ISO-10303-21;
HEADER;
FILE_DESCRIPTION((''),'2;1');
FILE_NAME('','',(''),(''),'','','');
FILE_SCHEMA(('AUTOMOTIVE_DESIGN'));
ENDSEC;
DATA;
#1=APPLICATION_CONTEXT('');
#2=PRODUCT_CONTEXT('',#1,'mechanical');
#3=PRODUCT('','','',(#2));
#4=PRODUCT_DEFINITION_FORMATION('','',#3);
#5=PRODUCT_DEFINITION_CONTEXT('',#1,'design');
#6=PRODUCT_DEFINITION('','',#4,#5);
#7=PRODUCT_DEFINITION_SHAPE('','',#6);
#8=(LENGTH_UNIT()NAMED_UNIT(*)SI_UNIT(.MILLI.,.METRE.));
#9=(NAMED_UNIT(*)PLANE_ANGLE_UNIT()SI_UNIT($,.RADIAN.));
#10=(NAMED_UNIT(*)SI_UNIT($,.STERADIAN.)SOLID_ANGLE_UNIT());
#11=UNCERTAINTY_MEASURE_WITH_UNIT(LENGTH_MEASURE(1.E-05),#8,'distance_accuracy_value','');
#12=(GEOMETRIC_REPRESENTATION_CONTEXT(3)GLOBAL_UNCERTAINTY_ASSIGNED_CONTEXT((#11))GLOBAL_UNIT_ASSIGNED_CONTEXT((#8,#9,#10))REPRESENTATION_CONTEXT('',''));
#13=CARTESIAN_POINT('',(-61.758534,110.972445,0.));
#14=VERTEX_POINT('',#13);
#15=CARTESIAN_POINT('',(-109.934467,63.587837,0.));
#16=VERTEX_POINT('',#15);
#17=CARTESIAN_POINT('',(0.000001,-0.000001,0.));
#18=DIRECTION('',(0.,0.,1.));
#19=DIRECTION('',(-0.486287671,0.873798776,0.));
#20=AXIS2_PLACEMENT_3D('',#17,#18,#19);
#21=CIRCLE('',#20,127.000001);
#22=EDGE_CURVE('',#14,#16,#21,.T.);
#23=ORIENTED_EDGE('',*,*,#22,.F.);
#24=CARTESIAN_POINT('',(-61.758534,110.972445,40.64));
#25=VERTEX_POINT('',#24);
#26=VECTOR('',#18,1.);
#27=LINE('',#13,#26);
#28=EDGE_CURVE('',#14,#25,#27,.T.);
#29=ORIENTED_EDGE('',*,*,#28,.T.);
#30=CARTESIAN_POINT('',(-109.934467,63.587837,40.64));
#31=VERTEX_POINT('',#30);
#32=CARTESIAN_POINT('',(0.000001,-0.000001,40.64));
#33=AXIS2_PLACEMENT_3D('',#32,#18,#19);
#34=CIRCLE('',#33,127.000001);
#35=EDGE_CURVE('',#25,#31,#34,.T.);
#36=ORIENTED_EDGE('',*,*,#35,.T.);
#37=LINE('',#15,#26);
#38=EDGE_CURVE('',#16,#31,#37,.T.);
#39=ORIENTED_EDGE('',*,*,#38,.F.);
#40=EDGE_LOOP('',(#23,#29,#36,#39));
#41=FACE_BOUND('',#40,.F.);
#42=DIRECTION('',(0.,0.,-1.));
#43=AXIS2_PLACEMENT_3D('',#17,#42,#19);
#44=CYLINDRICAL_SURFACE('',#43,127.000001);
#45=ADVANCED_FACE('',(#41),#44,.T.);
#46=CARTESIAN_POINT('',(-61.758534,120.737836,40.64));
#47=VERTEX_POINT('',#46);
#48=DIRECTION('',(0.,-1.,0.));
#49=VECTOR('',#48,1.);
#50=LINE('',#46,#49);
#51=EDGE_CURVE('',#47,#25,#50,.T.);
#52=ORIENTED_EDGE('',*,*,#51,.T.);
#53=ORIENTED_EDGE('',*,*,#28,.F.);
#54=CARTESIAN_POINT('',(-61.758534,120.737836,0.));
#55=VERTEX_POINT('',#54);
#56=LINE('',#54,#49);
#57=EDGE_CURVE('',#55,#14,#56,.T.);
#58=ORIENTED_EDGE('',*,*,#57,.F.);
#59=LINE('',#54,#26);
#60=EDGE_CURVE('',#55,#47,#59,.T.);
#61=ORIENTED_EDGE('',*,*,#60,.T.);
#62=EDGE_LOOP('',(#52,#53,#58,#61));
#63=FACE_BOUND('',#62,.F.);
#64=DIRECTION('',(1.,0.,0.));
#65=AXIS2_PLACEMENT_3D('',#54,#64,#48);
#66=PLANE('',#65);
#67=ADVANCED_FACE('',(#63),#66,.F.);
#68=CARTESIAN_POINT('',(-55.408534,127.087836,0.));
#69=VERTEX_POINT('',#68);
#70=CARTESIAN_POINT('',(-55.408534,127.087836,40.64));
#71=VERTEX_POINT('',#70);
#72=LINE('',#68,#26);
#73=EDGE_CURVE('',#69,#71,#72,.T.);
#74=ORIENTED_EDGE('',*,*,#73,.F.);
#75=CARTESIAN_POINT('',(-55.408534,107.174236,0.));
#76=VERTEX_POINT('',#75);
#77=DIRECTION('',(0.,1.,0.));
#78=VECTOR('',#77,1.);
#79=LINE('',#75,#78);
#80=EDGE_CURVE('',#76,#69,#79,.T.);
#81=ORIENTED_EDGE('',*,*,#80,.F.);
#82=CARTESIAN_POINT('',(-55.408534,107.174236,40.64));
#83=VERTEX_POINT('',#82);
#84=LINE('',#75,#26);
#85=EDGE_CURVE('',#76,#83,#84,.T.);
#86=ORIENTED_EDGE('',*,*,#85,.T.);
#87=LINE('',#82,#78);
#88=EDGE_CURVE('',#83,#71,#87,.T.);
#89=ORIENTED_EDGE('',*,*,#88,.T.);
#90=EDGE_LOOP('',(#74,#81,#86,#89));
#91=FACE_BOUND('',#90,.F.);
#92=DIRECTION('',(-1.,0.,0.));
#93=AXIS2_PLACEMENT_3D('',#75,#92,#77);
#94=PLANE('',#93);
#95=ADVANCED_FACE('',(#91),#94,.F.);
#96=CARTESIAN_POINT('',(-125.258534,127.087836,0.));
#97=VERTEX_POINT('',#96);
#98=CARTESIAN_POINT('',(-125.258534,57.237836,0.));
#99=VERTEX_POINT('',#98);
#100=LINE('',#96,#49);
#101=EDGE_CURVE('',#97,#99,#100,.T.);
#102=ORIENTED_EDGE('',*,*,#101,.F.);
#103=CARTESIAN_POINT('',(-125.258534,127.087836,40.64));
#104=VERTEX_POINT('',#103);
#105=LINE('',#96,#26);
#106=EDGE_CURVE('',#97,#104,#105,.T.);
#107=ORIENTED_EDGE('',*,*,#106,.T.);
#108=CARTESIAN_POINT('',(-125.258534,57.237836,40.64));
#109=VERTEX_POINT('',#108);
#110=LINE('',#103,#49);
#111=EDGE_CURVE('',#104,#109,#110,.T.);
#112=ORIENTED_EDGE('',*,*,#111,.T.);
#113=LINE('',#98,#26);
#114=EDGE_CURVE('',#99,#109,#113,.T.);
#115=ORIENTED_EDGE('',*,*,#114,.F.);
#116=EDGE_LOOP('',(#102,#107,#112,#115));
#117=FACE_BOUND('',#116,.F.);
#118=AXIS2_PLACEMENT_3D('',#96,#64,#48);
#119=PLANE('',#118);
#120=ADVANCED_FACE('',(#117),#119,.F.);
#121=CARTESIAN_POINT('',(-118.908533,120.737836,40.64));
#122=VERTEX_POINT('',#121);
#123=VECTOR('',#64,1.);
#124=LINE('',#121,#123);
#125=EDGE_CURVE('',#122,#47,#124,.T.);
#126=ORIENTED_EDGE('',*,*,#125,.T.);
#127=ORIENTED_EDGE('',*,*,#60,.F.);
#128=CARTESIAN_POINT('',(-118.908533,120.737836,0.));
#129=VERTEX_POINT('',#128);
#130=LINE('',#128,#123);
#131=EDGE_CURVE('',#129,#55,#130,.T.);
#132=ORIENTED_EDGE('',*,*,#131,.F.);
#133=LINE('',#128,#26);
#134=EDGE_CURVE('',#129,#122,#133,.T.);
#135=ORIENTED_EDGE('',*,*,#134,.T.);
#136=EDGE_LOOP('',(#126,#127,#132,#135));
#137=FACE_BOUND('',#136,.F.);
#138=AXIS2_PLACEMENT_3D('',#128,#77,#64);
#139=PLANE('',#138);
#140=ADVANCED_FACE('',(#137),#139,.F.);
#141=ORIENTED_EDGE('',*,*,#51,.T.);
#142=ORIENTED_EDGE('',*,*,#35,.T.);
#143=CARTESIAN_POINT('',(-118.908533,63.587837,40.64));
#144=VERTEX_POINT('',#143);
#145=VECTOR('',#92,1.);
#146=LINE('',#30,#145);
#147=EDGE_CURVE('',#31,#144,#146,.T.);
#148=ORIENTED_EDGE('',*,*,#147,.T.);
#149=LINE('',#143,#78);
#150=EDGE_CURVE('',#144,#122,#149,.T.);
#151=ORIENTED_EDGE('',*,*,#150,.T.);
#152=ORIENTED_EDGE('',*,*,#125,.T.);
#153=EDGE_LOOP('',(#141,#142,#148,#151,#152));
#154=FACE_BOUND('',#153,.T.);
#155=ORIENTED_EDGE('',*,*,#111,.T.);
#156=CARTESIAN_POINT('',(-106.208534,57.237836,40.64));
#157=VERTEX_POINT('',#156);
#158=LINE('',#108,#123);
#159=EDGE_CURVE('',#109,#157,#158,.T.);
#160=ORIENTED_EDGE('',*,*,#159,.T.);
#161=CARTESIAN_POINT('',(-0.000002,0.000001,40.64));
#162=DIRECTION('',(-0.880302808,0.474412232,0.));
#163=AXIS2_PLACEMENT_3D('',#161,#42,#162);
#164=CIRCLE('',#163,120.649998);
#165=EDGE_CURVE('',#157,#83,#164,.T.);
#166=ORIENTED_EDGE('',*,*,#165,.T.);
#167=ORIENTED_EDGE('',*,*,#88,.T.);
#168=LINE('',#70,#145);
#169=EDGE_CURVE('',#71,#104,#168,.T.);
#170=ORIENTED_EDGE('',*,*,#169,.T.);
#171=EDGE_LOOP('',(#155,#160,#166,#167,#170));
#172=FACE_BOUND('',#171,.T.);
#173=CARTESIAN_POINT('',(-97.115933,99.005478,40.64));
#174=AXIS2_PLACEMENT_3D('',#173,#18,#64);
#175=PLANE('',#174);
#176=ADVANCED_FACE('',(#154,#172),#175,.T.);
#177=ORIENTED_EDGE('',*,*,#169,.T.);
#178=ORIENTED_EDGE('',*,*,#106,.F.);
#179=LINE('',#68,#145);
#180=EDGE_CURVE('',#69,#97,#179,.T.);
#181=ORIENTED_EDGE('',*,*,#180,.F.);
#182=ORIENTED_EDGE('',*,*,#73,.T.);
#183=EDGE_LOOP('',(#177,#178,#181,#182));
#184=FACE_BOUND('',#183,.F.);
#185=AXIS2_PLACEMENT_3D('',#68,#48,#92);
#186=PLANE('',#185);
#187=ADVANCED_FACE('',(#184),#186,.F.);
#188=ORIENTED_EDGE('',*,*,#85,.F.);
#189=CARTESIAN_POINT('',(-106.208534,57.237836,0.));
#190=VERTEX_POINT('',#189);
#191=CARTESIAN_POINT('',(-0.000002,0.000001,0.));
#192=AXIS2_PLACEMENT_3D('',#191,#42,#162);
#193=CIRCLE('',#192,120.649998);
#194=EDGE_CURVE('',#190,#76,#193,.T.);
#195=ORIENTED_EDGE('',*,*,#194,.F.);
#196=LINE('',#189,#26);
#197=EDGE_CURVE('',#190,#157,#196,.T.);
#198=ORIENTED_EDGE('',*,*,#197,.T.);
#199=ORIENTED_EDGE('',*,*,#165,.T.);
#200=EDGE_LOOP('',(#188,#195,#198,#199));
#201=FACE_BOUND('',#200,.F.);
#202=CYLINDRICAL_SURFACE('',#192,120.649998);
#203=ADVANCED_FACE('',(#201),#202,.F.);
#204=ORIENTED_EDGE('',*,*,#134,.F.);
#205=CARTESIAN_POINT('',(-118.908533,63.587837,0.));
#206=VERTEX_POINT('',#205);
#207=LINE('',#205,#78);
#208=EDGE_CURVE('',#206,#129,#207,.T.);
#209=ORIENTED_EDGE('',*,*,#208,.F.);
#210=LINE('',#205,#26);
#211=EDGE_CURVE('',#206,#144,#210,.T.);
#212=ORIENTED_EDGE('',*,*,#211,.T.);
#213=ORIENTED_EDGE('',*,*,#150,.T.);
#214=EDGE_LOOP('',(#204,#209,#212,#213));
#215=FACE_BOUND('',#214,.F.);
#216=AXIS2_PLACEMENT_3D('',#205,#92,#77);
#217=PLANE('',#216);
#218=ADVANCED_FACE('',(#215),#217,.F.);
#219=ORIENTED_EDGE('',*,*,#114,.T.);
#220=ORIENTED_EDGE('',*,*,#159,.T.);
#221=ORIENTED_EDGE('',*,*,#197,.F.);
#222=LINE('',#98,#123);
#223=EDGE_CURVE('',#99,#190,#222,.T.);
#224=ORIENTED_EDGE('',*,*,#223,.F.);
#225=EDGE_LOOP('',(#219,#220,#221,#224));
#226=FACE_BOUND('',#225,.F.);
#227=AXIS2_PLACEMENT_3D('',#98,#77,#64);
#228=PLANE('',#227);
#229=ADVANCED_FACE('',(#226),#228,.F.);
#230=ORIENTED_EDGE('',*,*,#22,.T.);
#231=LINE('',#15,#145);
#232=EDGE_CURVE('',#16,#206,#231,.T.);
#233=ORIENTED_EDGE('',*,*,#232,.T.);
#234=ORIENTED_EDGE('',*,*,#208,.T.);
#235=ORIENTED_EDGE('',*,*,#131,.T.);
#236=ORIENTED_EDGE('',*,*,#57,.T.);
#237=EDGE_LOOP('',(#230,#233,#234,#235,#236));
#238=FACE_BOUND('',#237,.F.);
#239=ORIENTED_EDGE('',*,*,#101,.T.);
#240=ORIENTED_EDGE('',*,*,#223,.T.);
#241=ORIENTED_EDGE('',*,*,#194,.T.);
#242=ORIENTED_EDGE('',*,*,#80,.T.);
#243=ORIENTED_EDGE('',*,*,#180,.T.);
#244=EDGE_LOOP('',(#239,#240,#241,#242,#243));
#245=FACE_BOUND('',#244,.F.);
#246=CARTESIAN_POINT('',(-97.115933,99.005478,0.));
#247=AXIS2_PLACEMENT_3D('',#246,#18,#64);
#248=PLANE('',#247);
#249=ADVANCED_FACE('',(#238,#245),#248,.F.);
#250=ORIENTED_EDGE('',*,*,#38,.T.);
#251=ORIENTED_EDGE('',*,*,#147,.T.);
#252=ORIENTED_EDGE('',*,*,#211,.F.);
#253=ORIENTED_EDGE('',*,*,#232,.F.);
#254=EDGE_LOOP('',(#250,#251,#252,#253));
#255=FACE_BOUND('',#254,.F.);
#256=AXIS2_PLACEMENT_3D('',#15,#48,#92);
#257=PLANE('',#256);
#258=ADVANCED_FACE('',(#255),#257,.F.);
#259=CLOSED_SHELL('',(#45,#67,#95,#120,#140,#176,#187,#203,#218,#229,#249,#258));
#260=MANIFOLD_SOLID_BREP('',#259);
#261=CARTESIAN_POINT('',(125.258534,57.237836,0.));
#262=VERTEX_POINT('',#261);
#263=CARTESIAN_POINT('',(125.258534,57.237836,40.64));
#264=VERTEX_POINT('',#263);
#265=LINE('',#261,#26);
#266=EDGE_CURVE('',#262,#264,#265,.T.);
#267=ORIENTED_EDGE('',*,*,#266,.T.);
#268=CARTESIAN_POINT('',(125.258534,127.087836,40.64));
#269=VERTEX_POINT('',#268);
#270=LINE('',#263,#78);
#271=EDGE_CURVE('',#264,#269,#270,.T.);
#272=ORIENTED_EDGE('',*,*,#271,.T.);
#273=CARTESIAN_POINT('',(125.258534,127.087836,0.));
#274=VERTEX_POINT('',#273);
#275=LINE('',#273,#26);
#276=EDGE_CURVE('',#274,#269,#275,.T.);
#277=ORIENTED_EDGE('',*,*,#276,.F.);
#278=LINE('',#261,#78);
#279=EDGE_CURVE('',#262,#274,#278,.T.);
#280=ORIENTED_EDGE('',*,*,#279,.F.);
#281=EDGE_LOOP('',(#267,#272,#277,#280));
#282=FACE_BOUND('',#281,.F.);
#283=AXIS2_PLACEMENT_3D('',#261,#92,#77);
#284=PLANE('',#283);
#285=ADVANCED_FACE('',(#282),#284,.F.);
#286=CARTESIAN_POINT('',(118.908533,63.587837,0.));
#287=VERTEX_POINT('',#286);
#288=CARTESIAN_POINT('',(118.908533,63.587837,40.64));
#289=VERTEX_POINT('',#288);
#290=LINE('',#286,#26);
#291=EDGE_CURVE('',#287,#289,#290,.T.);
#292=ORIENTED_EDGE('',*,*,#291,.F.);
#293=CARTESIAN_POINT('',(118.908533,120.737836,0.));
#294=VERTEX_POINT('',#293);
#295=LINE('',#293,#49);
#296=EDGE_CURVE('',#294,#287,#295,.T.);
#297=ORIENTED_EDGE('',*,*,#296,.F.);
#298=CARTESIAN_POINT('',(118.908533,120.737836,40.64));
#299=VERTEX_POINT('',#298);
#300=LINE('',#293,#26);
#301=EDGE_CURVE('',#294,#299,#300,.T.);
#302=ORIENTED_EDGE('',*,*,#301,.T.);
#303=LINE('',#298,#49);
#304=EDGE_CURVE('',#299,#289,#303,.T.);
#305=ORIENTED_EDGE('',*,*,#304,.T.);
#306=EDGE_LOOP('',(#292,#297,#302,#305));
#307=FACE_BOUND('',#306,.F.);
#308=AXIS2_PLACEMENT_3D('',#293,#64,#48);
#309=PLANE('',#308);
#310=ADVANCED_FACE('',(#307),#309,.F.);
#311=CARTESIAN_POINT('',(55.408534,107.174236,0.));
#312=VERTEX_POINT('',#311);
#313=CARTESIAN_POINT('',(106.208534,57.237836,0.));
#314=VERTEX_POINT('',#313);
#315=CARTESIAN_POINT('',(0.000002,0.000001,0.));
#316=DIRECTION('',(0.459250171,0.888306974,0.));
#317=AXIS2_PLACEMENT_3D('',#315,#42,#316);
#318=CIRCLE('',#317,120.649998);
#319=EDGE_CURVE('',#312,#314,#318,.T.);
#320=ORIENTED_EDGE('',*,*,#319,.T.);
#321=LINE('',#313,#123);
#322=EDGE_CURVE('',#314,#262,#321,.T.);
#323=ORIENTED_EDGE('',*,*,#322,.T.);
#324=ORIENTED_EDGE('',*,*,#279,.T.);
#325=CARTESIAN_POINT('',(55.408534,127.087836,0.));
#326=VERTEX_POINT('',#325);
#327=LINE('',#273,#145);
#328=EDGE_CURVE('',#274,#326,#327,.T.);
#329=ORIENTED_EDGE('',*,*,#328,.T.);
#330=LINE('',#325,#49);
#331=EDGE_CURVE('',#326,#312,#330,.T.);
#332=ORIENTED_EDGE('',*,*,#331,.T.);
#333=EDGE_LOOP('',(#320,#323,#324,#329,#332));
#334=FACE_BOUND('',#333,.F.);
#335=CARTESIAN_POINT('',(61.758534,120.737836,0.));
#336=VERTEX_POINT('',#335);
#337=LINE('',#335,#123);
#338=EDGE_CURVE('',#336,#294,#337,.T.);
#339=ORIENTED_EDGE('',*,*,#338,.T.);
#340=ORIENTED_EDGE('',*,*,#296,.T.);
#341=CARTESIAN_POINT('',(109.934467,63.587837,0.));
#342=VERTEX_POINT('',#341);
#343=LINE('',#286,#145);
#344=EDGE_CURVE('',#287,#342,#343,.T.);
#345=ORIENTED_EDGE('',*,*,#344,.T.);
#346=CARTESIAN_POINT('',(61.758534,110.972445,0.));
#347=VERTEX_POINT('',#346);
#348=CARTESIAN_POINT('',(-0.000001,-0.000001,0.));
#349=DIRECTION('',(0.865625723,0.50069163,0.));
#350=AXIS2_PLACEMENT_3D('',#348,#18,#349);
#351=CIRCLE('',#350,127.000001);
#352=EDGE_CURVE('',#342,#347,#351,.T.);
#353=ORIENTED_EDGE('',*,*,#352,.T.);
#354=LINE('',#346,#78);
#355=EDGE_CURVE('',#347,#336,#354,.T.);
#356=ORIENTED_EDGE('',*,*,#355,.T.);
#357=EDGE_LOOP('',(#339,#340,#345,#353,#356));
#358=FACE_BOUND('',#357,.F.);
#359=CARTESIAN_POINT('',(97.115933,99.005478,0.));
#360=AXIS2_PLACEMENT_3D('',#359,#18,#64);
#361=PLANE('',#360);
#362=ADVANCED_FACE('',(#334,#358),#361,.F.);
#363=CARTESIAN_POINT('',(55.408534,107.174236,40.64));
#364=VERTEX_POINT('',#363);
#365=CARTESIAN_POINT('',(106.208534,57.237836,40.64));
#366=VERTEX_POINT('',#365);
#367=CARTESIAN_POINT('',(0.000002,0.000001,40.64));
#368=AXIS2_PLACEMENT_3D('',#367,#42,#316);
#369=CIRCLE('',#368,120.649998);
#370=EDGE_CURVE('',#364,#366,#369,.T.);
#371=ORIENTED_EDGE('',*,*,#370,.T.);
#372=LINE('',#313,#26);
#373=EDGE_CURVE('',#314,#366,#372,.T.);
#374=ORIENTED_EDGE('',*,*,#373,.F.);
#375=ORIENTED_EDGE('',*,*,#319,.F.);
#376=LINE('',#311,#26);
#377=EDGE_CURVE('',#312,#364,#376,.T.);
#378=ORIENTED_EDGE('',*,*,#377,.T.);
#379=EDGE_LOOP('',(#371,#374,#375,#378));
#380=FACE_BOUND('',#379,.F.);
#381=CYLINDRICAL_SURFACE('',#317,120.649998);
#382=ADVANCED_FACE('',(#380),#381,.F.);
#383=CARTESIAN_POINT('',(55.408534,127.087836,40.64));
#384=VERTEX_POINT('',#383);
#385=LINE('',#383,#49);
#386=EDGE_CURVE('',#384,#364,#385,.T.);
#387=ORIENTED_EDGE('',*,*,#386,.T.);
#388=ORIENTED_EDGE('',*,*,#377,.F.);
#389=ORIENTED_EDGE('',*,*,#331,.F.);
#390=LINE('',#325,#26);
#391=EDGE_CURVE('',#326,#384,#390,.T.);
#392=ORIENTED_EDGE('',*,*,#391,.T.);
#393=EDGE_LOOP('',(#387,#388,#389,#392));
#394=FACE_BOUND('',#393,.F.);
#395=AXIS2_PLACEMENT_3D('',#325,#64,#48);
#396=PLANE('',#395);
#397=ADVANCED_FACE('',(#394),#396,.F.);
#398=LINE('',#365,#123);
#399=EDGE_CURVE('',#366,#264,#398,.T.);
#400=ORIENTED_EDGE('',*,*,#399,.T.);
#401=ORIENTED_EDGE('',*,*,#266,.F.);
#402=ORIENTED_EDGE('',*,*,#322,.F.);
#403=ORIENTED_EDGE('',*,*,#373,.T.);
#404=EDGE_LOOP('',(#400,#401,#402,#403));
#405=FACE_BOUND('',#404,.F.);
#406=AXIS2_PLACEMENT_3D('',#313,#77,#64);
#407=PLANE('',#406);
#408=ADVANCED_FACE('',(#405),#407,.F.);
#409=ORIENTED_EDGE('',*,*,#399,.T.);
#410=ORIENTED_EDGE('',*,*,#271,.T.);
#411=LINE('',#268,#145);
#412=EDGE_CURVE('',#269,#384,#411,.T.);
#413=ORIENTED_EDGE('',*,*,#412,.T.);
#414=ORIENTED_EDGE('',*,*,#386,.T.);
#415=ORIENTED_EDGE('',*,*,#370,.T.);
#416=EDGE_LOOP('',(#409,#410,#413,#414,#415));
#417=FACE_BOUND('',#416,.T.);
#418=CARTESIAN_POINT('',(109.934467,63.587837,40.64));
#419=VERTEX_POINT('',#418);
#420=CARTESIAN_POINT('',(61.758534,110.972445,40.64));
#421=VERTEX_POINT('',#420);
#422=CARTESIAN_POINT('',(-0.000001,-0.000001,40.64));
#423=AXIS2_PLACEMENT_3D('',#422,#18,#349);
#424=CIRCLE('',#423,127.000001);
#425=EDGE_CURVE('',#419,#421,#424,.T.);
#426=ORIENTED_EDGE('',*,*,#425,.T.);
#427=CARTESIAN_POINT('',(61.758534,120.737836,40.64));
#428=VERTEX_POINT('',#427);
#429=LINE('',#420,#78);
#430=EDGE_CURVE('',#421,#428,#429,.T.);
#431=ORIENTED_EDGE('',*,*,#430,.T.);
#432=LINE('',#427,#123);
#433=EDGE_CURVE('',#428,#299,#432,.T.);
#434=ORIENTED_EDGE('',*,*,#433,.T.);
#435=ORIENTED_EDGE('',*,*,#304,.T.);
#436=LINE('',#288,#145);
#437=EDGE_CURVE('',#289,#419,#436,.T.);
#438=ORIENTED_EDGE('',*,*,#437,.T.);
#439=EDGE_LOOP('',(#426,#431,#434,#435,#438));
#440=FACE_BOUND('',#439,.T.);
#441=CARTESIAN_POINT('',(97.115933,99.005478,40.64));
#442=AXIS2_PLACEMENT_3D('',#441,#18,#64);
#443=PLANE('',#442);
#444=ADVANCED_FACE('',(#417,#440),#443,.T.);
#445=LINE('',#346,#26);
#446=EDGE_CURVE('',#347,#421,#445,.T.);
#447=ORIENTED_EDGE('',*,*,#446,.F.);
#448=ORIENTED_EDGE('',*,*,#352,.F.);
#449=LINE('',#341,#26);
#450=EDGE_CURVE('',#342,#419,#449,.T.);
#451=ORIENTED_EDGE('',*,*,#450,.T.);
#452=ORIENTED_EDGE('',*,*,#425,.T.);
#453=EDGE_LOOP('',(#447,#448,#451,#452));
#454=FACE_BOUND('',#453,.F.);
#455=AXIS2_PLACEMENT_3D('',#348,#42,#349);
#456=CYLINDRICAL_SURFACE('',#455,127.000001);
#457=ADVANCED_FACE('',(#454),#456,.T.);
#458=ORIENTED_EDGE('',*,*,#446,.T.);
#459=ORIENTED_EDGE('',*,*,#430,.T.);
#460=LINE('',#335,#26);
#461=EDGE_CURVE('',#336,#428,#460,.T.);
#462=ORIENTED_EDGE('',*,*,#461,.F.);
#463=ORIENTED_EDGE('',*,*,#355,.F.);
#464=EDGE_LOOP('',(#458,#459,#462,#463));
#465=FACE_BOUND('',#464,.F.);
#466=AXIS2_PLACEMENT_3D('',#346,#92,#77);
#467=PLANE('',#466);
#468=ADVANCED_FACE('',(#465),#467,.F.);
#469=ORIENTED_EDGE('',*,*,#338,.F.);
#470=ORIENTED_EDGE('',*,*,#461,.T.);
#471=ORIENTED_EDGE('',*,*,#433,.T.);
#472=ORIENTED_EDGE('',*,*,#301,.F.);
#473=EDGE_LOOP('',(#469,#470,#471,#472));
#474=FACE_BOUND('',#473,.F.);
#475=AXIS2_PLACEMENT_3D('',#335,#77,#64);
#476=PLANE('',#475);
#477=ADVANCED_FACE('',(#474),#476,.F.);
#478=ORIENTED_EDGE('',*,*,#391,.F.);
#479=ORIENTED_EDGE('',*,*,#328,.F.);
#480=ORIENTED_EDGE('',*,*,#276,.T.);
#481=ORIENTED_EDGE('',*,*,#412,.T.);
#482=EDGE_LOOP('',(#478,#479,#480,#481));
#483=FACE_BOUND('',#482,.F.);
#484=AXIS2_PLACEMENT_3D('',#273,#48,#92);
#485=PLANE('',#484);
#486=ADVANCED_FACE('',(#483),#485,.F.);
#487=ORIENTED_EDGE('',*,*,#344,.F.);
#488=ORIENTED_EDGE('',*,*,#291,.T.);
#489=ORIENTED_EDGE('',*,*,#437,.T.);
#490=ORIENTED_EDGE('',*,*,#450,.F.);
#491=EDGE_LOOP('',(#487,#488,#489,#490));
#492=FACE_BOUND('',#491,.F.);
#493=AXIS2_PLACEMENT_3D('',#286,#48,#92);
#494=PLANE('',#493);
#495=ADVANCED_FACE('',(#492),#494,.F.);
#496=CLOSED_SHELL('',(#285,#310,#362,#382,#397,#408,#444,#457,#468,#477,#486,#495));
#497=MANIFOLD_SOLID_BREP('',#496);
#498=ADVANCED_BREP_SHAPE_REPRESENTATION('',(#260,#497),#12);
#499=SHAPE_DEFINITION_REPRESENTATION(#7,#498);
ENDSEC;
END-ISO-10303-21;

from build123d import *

# Parameters (mm, degrees)
F1_DEPTH = 40.64


with BuildPart() as f1:
    # F0 (on Top) → F1 (new body)
    with BuildSketch(Plane.XY):
        with BuildLine():
            ThreePointArc((-106.208534, 57.237836), (-84.577953, 86.040644), (-55.408534, 107.174236))
            Line((-55.408534, 107.174236), (-55.408534, 127.087836))
            Line((-55.408534, 127.087836), (-125.258534, 127.087836))
            Line((-125.258534, 127.087836), (-125.258534, 57.237836))
            Line((-125.258534, 57.237836), (-106.208534, 57.237836))
        make_face()
        with BuildLine():
            Line((-118.908533, 63.587837), (-118.908533, 120.737836))
            Line((-118.908533, 120.737836), (-61.758534, 120.737836))
            Line((-61.758534, 120.737836), (-61.758534, 110.972445))
            ThreePointArc((-61.758534, 110.972445), (-89.055864, 90.543101), (-109.934467, 63.587837))
            Line((-109.934467, 63.587837), (-118.908533, 63.587837))
        make_face(mode=Mode.SUBTRACT)
        with BuildLine():
            Line((106.208534, 57.237836), (125.258534, 57.237836))
            Line((125.258534, 57.237836), (125.258534, 127.087836))
            Line((125.258534, 127.087836), (55.408534, 127.087836))
            Line((55.408534, 127.087836), (55.408534, 107.174236))
            ThreePointArc((55.408534, 107.174236), (84.577953, 86.040644), (106.208534, 57.237836))
        make_face()
        with BuildLine():
            ThreePointArc((109.934467, 63.587837), (89.055864, 90.543101), (61.758534, 110.972445))
            Line((61.758534, 110.972445), (61.758534, 120.737836))
            Line((61.758534, 120.737836), (118.908533, 120.737836))
            Line((118.908533, 120.737836), (118.908533, 63.587837))
            Line((118.908533, 63.587837), (109.934467, 63.587837))
        make_face(mode=Mode.SUBTRACT)
    extrude(amount=F1_DEPTH)


solid = f1.part
